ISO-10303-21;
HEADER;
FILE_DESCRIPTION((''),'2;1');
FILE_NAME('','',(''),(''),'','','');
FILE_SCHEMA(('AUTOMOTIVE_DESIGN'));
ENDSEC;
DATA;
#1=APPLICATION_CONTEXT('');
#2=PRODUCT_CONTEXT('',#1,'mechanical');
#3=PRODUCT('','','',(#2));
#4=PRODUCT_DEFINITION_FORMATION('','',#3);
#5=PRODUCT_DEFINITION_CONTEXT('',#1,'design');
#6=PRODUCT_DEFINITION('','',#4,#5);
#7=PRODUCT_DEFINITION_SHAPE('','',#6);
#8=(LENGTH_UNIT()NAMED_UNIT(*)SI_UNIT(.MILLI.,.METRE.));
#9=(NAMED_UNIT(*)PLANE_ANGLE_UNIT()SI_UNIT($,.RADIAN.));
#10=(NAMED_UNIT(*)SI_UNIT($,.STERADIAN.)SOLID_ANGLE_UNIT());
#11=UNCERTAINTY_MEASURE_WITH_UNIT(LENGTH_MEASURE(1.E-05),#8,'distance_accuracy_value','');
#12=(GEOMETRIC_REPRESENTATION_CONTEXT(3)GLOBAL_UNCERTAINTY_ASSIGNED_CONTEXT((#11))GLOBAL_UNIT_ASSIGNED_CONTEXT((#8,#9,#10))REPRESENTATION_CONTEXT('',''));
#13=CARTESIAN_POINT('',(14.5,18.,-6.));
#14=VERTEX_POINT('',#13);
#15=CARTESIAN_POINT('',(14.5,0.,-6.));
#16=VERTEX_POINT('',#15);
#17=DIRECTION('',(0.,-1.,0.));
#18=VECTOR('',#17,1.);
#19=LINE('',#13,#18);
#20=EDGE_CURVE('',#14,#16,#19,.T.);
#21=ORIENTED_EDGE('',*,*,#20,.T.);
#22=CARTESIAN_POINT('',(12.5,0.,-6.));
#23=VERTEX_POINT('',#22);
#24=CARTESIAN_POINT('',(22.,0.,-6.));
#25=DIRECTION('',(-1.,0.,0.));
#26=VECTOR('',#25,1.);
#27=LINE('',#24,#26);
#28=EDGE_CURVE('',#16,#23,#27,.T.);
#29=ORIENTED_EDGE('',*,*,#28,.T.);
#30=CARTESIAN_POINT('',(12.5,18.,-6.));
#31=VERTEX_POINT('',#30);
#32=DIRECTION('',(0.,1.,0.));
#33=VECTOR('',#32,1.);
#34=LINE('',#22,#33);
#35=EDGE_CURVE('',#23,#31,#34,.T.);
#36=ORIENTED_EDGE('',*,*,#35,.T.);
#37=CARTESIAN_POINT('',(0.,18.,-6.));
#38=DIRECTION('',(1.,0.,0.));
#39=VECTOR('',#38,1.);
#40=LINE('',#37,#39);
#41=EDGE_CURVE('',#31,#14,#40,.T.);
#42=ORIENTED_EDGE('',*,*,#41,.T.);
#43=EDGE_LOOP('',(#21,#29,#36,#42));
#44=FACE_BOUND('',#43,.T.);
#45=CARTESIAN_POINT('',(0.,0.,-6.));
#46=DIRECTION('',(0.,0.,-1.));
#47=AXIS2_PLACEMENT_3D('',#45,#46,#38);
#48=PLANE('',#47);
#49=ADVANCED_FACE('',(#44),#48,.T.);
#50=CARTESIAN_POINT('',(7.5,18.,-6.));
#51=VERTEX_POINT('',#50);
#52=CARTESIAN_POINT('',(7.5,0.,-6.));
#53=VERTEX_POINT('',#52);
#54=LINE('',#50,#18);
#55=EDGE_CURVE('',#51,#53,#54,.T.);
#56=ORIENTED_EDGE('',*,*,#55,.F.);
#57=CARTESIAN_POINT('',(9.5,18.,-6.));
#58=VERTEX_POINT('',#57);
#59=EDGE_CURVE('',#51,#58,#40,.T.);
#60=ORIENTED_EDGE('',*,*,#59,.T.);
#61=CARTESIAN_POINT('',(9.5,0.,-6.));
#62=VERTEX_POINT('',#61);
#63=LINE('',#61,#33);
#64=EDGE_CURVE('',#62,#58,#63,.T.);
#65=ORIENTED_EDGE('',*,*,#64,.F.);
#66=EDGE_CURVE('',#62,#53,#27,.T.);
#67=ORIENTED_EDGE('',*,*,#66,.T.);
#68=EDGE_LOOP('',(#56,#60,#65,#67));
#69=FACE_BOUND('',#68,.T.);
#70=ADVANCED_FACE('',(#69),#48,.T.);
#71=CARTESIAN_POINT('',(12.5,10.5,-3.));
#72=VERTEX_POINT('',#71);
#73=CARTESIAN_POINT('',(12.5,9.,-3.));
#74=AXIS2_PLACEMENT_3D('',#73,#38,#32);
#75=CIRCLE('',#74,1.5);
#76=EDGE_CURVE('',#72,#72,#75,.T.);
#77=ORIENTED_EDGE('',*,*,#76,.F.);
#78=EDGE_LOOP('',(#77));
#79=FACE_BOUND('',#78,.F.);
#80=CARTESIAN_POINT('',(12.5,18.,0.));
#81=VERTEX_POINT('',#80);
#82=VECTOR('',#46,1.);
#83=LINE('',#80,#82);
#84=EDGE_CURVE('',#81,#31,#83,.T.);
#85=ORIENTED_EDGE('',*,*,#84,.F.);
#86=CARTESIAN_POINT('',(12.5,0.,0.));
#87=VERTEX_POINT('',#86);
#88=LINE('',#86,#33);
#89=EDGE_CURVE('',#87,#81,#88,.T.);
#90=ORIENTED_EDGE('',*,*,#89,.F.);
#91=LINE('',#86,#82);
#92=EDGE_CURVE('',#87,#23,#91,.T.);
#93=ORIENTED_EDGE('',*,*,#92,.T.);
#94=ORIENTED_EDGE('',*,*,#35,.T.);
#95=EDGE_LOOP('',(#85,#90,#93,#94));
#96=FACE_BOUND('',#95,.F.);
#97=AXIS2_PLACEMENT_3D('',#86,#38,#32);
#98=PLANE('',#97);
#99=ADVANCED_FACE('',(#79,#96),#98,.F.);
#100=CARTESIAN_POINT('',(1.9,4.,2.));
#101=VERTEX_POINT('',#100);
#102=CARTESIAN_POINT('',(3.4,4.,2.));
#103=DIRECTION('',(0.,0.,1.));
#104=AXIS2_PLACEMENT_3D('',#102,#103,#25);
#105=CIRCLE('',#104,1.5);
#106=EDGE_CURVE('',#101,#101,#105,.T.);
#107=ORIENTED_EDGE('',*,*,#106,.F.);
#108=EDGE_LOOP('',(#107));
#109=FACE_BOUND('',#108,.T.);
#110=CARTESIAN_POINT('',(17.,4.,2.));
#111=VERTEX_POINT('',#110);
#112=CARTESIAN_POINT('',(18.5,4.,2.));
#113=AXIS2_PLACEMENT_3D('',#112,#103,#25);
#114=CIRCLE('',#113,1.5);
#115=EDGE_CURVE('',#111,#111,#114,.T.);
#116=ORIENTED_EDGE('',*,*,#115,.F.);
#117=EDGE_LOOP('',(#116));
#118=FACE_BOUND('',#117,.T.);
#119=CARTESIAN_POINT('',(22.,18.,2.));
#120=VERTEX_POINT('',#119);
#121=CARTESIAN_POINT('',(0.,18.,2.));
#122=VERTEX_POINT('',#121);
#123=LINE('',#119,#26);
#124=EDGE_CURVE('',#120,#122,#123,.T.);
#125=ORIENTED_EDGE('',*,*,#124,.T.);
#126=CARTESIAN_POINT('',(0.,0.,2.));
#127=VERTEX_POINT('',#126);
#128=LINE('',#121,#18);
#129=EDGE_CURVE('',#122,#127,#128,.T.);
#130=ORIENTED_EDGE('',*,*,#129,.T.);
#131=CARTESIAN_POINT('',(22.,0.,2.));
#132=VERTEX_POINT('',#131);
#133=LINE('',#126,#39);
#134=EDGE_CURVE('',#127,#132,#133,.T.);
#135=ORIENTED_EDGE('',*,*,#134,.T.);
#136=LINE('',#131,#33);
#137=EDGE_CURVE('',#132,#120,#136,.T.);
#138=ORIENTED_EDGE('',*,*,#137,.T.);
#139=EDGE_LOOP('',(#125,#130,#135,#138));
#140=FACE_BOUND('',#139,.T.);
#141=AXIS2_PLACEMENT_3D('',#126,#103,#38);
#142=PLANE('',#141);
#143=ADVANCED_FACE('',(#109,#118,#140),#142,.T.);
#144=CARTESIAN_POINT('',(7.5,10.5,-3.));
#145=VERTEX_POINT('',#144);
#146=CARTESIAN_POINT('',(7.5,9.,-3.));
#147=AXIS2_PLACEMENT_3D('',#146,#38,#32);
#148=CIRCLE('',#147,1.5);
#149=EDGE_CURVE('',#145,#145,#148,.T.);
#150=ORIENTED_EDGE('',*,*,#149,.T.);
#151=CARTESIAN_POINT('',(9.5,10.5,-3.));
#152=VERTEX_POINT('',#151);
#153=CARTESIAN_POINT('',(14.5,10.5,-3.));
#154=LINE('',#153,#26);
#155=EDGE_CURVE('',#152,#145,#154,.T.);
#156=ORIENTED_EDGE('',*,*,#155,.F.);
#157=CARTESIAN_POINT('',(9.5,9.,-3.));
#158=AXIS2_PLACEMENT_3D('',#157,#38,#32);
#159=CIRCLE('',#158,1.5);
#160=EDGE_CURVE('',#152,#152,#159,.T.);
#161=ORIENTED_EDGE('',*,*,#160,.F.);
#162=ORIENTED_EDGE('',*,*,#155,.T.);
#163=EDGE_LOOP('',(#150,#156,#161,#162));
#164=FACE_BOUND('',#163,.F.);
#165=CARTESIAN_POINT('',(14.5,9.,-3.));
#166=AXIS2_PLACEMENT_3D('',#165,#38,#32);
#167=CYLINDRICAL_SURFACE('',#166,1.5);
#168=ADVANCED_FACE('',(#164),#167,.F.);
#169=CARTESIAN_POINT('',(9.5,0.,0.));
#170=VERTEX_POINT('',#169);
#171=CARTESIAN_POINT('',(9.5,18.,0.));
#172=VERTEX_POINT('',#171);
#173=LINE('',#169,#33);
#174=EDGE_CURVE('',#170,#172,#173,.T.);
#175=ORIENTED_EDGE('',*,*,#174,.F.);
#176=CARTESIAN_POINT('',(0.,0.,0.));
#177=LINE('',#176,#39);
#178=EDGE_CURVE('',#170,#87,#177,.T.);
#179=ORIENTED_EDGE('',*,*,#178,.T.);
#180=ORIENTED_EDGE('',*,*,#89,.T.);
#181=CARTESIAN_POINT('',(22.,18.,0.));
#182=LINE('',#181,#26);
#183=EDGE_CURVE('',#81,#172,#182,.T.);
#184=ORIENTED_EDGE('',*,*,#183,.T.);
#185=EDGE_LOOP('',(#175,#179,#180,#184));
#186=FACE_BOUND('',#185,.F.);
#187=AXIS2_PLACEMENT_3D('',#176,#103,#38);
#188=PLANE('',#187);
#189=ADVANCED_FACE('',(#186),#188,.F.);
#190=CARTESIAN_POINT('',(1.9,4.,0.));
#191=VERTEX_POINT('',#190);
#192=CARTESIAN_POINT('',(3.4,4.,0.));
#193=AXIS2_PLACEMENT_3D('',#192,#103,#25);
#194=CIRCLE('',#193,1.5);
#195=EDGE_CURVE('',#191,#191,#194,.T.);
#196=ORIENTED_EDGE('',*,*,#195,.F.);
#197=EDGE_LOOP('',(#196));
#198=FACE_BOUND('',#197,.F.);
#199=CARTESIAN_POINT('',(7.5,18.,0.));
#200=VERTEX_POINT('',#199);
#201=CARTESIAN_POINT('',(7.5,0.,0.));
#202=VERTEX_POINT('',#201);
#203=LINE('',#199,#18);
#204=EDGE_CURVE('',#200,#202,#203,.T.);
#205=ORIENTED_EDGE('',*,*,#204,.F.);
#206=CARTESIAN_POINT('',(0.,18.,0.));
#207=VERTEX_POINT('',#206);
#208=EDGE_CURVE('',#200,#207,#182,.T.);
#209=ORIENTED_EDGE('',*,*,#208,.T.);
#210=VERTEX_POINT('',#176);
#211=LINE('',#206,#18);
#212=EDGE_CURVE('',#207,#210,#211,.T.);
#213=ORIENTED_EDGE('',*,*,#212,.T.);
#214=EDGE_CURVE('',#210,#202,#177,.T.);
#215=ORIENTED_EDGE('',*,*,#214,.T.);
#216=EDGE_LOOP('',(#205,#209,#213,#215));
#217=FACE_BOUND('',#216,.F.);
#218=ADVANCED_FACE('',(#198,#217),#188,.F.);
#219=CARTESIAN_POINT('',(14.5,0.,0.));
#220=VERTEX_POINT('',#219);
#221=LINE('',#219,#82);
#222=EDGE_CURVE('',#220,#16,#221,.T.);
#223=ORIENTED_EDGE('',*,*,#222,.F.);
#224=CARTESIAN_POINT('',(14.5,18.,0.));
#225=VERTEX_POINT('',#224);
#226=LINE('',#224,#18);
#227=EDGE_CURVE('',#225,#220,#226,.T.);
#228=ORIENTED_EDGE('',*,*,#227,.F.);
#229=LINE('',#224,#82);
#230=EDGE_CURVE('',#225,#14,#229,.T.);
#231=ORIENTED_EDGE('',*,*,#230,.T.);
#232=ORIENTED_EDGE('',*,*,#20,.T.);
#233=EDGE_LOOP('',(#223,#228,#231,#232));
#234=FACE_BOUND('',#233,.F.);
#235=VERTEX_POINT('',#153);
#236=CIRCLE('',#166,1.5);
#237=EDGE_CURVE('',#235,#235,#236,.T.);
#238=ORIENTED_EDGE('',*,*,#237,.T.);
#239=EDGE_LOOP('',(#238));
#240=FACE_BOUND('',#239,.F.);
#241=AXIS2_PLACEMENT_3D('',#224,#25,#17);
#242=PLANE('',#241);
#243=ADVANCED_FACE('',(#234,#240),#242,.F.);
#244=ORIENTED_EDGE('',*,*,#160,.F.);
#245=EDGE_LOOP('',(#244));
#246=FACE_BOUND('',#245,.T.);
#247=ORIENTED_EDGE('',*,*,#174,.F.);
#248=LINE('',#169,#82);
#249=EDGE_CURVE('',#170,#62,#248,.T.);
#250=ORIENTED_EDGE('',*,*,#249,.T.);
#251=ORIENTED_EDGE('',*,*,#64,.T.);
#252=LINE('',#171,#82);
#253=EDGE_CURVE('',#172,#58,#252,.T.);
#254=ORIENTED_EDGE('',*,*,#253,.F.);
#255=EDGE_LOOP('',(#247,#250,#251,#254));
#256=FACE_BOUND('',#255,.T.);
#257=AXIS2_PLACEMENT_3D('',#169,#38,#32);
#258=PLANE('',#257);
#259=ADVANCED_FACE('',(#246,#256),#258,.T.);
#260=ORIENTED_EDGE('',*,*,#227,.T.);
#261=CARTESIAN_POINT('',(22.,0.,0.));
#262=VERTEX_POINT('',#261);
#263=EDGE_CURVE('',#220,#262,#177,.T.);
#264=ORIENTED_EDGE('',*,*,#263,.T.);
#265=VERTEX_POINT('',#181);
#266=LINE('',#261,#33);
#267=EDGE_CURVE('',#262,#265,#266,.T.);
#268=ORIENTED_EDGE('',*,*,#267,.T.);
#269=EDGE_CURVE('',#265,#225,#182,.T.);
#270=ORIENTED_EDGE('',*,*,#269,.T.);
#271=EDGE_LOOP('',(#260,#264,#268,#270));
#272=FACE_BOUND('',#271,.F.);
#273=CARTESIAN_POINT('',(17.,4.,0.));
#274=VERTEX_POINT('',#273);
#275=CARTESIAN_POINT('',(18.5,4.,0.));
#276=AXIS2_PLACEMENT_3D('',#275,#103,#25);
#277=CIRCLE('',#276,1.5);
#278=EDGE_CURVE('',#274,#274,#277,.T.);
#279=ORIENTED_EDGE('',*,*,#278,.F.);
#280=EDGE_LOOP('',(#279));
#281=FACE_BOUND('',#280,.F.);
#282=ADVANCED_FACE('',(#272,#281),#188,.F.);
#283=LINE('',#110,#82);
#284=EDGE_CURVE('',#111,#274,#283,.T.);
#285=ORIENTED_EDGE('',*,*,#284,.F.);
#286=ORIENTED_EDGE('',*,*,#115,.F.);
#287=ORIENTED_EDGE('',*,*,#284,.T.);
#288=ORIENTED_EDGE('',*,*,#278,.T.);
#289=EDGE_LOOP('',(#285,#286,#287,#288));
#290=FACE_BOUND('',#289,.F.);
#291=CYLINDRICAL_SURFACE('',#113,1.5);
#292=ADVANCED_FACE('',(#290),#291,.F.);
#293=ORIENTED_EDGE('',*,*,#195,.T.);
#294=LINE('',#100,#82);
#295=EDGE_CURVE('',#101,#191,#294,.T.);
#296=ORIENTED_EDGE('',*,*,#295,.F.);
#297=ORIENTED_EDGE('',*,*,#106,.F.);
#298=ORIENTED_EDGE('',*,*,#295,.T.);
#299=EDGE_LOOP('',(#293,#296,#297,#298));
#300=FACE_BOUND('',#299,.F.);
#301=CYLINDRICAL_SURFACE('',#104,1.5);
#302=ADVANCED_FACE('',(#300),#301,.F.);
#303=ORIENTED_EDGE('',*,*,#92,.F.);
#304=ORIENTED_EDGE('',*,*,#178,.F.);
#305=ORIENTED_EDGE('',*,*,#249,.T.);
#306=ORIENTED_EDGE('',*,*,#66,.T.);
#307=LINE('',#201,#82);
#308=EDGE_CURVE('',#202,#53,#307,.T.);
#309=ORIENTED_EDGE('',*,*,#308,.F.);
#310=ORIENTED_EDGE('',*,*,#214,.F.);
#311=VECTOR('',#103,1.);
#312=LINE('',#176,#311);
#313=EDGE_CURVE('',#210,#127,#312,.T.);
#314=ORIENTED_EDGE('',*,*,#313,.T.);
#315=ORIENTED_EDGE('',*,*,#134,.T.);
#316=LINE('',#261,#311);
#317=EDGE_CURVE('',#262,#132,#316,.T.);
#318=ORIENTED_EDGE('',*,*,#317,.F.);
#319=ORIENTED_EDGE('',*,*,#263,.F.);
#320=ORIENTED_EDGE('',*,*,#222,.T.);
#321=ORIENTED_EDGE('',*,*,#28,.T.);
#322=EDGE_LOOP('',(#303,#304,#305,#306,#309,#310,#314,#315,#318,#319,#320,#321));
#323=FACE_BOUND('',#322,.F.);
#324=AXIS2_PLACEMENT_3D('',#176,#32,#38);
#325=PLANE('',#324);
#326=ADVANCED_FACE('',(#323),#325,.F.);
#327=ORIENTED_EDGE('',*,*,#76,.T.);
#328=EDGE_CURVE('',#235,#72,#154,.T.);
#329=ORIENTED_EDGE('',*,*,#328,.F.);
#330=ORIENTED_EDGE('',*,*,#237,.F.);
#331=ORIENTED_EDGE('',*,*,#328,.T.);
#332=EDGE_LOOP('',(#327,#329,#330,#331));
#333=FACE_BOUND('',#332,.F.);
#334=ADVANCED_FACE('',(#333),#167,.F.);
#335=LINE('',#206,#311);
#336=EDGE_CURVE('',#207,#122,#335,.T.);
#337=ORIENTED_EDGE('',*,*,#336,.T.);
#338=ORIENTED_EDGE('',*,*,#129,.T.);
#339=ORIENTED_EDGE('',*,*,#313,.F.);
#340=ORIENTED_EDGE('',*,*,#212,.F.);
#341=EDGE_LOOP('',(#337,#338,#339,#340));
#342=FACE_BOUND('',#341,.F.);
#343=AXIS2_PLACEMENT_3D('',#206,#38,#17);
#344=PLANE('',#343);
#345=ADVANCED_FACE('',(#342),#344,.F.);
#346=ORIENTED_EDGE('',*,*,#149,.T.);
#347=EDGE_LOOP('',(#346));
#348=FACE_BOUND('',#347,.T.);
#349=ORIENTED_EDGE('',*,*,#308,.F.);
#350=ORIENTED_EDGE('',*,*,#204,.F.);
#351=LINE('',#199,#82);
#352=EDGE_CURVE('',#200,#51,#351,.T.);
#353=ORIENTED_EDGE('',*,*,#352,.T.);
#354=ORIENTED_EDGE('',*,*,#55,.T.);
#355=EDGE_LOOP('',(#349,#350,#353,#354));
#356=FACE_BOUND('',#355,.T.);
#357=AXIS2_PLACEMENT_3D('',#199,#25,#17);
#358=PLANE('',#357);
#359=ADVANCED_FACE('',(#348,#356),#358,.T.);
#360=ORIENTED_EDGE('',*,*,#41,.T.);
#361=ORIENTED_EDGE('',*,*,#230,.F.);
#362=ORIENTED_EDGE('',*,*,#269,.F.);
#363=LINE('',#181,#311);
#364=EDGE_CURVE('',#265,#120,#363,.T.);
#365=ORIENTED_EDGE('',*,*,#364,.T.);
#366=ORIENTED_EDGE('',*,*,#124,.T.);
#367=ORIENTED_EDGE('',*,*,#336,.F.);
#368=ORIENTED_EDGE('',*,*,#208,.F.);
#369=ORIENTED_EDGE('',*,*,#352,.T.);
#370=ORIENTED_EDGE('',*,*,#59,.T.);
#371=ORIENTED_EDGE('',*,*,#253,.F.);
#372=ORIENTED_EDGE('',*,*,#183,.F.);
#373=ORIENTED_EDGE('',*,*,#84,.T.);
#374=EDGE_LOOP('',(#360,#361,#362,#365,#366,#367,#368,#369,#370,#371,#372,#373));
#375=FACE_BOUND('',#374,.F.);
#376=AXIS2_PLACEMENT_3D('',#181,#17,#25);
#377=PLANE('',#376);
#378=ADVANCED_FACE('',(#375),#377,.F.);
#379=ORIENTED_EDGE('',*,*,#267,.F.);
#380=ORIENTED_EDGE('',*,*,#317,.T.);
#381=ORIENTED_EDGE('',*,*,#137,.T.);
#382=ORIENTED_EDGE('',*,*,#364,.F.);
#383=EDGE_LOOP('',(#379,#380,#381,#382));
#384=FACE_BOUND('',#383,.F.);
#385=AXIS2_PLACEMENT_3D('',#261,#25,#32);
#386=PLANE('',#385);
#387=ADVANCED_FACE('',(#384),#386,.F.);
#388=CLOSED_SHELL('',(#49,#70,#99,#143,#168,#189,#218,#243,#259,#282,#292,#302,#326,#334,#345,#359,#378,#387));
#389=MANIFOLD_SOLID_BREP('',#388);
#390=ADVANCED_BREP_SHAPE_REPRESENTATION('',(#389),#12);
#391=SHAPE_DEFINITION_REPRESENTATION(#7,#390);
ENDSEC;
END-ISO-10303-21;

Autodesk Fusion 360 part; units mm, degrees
sketch "Boceto1" plane through (0, 0, 0) normal (0, 0, 1) x (1, 0, 0)
  line L0 (0, 0) -> (22, 0)
  line L1 (22, 0) -> (22, 18)
  line L2 (22, 18) -> (0, 18)
  line L3 (0, 18) -> (0, 0)
  dimension "d3" = 22
  dimension "d4" = 18
extrude "Extruir1" add sketch "Boceto1" along normal blind 2
sketch "Boceto2" plane through (0, 0, 0) normal (0, 0, -1) x (1, 0, 0)
  line L0 (0, 0) -> (0, -18)
  line L1 (0, -18) -> (22, -18)
  line L2 (22, -18) -> (22, 0)
  line L3 (22, 0) -> (0, 0)
  line L4 (7.5, 0) -> (9.5, 0)
  line L5 (9.5, 0) -> (9.5, -18)
  line L6 (9.5, -18) -> (7.5, -18)
  line L7 (7.5, -18) -> (7.5, 0)
  line L8 (14.5, 0) -> (12.5, 0)
  line L9 (12.5, 0) -> (12.5, -18)
  line L10 (12.5, -18) -> (14.5, -18)
  line L11 (14.5, -18) -> (14.5, 0)
  dimension "d7" = 2
  dimension "d8" = 2
extrude "Extruir2" add sketch "Boceto2" along normal blind 6 contours L1 L3 L4 L5 L6 L7 | L1 L3 L8 L9 L10 L11
sketch "Boceto3" plane through (14.5, 0, 0) normal (1, 0, 0) x (0, 1, 0)
  line L0 (18, 0) -> (0, 0)
  line L1 (0, 0) -> (0, -6)
  line L2 (0, -6) -> (18, -6)
  line L3 (18, -6) -> (18, 0)
  circle A0 centre (9, -3) radius 1.5
  dimension "d11" = 3
extrude "Extruir3" cut sketch "Boceto3" against normal blind 7 contours A0
sketch "Boceto4" plane through (0, 0, 2) normal (0, 0, 1) x (-1, 0, 0)
  line L0 (0, -18) -> (0, 0)
  line L1 (0, 0) -> (-22, 0)
  line L2 (-22, 0) -> (-22, -18)
  line L3 (-22, -18) -> (0, -18)
  circle A0 centre (-3.4, -4) radius 1.5
  circle A1 centre (-18.5, -4) radius 1.5
  dimension "d14" = 3
  dimension "d15" = 3
extrude "Extruir4" cut sketch "Boceto4" against normal blind 2 contours A0 | A1
